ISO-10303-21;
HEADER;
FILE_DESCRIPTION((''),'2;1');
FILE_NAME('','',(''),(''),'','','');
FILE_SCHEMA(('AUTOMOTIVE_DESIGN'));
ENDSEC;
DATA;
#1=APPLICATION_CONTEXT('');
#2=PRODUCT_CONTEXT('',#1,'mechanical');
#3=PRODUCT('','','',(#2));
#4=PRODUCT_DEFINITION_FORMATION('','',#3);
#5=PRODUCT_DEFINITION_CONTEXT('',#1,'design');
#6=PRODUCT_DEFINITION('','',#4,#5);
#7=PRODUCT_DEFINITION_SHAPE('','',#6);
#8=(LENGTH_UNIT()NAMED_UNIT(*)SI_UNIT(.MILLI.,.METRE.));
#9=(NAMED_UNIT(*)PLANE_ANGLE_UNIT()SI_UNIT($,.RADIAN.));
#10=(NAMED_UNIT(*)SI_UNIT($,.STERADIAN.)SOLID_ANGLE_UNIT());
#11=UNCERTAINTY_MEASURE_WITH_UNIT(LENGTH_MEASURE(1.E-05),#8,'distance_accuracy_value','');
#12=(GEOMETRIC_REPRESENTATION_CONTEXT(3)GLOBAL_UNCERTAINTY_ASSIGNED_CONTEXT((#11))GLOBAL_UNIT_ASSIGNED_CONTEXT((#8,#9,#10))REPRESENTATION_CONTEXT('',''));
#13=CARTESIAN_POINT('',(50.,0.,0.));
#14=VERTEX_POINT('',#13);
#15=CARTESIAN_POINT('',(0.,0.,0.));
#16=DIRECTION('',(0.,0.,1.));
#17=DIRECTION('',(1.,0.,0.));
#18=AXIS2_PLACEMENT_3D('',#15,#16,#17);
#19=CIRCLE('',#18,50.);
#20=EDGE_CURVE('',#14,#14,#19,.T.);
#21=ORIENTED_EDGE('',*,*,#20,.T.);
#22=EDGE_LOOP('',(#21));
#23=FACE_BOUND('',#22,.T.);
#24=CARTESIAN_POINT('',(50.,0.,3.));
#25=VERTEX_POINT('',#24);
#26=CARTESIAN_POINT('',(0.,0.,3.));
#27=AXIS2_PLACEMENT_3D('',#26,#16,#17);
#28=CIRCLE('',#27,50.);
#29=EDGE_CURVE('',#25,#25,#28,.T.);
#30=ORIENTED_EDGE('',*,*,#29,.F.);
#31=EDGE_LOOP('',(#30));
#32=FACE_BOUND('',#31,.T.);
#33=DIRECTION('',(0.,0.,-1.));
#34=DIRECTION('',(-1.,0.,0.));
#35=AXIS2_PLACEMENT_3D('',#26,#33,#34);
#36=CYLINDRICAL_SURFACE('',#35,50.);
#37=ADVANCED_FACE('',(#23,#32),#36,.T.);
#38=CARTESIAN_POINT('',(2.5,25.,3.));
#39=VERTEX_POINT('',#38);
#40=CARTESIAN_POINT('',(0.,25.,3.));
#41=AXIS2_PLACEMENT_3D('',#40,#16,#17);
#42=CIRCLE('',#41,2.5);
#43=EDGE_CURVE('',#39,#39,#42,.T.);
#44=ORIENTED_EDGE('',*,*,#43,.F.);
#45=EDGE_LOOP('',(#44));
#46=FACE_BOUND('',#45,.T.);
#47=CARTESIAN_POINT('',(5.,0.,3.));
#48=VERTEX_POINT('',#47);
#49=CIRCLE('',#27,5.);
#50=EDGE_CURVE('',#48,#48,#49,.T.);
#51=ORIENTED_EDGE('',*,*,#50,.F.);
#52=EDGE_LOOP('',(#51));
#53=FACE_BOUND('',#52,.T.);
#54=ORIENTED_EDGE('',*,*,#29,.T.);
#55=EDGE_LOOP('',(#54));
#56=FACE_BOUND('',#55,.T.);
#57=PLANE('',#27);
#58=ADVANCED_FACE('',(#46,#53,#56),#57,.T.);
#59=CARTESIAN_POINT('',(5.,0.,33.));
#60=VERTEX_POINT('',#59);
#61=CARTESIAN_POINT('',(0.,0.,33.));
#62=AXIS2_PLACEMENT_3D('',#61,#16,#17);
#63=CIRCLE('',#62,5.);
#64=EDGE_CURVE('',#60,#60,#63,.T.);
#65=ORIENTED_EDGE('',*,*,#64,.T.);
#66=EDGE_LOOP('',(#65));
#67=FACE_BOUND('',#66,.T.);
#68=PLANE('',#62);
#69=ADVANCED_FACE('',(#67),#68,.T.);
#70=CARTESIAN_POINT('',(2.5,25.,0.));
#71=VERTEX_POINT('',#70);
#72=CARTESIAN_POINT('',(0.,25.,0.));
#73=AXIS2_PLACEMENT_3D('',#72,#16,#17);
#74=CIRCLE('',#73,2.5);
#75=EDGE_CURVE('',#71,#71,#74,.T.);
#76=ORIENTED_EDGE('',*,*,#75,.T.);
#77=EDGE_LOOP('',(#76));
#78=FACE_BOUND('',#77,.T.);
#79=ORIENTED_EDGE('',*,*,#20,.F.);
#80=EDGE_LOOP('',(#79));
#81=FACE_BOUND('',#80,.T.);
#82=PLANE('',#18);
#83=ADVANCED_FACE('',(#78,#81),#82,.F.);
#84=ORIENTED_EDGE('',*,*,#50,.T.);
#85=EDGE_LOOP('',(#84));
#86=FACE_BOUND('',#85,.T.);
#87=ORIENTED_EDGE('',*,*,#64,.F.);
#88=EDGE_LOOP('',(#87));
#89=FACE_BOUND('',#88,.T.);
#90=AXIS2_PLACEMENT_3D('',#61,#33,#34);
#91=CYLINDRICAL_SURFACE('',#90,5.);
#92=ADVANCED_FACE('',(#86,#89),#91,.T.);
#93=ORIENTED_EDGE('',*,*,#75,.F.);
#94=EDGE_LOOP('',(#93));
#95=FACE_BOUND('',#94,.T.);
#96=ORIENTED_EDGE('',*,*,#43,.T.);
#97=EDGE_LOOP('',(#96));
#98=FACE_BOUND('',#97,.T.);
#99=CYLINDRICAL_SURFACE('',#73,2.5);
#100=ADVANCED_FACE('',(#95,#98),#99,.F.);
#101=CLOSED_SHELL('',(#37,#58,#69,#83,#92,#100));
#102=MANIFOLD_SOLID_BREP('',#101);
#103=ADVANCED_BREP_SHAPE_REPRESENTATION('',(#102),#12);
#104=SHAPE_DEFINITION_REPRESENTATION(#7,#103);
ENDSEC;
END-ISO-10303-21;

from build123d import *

# Parameters (mm, degrees)
SKETCH_1_R          = 50
EXTRUDE_1_DEPTH     = 3
SKETCH_2_R          = 5
EXTRUDE_2_DEPTH     = 30
SKETCH_3_R          = 2.5
CUT_EXTRUDE_1_DEPTH = 77.811457479


with BuildPart() as part:
    # Эскиз1 → Бобышка-Вытянуть1 (new body)
    with BuildSketch(Plane.XY):
        Circle(SKETCH_1_R)
    extrude(amount=EXTRUDE_1_DEPTH)

    # Эскиз2 → Бобышка-Вытянуть2 (add)
    with BuildSketch(Plane.XY.offset(3)):
        Circle(SKETCH_2_R)
    extrude(amount=EXTRUDE_2_DEPTH)

    # Эскиз3 → Вырез-Вытянуть1 (cut, through all)
    with BuildSketch(Plane.XY.offset(3)):
        with Locations((0, 25)):
            Circle(SKETCH_3_R)
    extrude(amount=-CUT_EXTRUDE_1_DEPTH, mode=Mode.SUBTRACT)


solid = part.part
